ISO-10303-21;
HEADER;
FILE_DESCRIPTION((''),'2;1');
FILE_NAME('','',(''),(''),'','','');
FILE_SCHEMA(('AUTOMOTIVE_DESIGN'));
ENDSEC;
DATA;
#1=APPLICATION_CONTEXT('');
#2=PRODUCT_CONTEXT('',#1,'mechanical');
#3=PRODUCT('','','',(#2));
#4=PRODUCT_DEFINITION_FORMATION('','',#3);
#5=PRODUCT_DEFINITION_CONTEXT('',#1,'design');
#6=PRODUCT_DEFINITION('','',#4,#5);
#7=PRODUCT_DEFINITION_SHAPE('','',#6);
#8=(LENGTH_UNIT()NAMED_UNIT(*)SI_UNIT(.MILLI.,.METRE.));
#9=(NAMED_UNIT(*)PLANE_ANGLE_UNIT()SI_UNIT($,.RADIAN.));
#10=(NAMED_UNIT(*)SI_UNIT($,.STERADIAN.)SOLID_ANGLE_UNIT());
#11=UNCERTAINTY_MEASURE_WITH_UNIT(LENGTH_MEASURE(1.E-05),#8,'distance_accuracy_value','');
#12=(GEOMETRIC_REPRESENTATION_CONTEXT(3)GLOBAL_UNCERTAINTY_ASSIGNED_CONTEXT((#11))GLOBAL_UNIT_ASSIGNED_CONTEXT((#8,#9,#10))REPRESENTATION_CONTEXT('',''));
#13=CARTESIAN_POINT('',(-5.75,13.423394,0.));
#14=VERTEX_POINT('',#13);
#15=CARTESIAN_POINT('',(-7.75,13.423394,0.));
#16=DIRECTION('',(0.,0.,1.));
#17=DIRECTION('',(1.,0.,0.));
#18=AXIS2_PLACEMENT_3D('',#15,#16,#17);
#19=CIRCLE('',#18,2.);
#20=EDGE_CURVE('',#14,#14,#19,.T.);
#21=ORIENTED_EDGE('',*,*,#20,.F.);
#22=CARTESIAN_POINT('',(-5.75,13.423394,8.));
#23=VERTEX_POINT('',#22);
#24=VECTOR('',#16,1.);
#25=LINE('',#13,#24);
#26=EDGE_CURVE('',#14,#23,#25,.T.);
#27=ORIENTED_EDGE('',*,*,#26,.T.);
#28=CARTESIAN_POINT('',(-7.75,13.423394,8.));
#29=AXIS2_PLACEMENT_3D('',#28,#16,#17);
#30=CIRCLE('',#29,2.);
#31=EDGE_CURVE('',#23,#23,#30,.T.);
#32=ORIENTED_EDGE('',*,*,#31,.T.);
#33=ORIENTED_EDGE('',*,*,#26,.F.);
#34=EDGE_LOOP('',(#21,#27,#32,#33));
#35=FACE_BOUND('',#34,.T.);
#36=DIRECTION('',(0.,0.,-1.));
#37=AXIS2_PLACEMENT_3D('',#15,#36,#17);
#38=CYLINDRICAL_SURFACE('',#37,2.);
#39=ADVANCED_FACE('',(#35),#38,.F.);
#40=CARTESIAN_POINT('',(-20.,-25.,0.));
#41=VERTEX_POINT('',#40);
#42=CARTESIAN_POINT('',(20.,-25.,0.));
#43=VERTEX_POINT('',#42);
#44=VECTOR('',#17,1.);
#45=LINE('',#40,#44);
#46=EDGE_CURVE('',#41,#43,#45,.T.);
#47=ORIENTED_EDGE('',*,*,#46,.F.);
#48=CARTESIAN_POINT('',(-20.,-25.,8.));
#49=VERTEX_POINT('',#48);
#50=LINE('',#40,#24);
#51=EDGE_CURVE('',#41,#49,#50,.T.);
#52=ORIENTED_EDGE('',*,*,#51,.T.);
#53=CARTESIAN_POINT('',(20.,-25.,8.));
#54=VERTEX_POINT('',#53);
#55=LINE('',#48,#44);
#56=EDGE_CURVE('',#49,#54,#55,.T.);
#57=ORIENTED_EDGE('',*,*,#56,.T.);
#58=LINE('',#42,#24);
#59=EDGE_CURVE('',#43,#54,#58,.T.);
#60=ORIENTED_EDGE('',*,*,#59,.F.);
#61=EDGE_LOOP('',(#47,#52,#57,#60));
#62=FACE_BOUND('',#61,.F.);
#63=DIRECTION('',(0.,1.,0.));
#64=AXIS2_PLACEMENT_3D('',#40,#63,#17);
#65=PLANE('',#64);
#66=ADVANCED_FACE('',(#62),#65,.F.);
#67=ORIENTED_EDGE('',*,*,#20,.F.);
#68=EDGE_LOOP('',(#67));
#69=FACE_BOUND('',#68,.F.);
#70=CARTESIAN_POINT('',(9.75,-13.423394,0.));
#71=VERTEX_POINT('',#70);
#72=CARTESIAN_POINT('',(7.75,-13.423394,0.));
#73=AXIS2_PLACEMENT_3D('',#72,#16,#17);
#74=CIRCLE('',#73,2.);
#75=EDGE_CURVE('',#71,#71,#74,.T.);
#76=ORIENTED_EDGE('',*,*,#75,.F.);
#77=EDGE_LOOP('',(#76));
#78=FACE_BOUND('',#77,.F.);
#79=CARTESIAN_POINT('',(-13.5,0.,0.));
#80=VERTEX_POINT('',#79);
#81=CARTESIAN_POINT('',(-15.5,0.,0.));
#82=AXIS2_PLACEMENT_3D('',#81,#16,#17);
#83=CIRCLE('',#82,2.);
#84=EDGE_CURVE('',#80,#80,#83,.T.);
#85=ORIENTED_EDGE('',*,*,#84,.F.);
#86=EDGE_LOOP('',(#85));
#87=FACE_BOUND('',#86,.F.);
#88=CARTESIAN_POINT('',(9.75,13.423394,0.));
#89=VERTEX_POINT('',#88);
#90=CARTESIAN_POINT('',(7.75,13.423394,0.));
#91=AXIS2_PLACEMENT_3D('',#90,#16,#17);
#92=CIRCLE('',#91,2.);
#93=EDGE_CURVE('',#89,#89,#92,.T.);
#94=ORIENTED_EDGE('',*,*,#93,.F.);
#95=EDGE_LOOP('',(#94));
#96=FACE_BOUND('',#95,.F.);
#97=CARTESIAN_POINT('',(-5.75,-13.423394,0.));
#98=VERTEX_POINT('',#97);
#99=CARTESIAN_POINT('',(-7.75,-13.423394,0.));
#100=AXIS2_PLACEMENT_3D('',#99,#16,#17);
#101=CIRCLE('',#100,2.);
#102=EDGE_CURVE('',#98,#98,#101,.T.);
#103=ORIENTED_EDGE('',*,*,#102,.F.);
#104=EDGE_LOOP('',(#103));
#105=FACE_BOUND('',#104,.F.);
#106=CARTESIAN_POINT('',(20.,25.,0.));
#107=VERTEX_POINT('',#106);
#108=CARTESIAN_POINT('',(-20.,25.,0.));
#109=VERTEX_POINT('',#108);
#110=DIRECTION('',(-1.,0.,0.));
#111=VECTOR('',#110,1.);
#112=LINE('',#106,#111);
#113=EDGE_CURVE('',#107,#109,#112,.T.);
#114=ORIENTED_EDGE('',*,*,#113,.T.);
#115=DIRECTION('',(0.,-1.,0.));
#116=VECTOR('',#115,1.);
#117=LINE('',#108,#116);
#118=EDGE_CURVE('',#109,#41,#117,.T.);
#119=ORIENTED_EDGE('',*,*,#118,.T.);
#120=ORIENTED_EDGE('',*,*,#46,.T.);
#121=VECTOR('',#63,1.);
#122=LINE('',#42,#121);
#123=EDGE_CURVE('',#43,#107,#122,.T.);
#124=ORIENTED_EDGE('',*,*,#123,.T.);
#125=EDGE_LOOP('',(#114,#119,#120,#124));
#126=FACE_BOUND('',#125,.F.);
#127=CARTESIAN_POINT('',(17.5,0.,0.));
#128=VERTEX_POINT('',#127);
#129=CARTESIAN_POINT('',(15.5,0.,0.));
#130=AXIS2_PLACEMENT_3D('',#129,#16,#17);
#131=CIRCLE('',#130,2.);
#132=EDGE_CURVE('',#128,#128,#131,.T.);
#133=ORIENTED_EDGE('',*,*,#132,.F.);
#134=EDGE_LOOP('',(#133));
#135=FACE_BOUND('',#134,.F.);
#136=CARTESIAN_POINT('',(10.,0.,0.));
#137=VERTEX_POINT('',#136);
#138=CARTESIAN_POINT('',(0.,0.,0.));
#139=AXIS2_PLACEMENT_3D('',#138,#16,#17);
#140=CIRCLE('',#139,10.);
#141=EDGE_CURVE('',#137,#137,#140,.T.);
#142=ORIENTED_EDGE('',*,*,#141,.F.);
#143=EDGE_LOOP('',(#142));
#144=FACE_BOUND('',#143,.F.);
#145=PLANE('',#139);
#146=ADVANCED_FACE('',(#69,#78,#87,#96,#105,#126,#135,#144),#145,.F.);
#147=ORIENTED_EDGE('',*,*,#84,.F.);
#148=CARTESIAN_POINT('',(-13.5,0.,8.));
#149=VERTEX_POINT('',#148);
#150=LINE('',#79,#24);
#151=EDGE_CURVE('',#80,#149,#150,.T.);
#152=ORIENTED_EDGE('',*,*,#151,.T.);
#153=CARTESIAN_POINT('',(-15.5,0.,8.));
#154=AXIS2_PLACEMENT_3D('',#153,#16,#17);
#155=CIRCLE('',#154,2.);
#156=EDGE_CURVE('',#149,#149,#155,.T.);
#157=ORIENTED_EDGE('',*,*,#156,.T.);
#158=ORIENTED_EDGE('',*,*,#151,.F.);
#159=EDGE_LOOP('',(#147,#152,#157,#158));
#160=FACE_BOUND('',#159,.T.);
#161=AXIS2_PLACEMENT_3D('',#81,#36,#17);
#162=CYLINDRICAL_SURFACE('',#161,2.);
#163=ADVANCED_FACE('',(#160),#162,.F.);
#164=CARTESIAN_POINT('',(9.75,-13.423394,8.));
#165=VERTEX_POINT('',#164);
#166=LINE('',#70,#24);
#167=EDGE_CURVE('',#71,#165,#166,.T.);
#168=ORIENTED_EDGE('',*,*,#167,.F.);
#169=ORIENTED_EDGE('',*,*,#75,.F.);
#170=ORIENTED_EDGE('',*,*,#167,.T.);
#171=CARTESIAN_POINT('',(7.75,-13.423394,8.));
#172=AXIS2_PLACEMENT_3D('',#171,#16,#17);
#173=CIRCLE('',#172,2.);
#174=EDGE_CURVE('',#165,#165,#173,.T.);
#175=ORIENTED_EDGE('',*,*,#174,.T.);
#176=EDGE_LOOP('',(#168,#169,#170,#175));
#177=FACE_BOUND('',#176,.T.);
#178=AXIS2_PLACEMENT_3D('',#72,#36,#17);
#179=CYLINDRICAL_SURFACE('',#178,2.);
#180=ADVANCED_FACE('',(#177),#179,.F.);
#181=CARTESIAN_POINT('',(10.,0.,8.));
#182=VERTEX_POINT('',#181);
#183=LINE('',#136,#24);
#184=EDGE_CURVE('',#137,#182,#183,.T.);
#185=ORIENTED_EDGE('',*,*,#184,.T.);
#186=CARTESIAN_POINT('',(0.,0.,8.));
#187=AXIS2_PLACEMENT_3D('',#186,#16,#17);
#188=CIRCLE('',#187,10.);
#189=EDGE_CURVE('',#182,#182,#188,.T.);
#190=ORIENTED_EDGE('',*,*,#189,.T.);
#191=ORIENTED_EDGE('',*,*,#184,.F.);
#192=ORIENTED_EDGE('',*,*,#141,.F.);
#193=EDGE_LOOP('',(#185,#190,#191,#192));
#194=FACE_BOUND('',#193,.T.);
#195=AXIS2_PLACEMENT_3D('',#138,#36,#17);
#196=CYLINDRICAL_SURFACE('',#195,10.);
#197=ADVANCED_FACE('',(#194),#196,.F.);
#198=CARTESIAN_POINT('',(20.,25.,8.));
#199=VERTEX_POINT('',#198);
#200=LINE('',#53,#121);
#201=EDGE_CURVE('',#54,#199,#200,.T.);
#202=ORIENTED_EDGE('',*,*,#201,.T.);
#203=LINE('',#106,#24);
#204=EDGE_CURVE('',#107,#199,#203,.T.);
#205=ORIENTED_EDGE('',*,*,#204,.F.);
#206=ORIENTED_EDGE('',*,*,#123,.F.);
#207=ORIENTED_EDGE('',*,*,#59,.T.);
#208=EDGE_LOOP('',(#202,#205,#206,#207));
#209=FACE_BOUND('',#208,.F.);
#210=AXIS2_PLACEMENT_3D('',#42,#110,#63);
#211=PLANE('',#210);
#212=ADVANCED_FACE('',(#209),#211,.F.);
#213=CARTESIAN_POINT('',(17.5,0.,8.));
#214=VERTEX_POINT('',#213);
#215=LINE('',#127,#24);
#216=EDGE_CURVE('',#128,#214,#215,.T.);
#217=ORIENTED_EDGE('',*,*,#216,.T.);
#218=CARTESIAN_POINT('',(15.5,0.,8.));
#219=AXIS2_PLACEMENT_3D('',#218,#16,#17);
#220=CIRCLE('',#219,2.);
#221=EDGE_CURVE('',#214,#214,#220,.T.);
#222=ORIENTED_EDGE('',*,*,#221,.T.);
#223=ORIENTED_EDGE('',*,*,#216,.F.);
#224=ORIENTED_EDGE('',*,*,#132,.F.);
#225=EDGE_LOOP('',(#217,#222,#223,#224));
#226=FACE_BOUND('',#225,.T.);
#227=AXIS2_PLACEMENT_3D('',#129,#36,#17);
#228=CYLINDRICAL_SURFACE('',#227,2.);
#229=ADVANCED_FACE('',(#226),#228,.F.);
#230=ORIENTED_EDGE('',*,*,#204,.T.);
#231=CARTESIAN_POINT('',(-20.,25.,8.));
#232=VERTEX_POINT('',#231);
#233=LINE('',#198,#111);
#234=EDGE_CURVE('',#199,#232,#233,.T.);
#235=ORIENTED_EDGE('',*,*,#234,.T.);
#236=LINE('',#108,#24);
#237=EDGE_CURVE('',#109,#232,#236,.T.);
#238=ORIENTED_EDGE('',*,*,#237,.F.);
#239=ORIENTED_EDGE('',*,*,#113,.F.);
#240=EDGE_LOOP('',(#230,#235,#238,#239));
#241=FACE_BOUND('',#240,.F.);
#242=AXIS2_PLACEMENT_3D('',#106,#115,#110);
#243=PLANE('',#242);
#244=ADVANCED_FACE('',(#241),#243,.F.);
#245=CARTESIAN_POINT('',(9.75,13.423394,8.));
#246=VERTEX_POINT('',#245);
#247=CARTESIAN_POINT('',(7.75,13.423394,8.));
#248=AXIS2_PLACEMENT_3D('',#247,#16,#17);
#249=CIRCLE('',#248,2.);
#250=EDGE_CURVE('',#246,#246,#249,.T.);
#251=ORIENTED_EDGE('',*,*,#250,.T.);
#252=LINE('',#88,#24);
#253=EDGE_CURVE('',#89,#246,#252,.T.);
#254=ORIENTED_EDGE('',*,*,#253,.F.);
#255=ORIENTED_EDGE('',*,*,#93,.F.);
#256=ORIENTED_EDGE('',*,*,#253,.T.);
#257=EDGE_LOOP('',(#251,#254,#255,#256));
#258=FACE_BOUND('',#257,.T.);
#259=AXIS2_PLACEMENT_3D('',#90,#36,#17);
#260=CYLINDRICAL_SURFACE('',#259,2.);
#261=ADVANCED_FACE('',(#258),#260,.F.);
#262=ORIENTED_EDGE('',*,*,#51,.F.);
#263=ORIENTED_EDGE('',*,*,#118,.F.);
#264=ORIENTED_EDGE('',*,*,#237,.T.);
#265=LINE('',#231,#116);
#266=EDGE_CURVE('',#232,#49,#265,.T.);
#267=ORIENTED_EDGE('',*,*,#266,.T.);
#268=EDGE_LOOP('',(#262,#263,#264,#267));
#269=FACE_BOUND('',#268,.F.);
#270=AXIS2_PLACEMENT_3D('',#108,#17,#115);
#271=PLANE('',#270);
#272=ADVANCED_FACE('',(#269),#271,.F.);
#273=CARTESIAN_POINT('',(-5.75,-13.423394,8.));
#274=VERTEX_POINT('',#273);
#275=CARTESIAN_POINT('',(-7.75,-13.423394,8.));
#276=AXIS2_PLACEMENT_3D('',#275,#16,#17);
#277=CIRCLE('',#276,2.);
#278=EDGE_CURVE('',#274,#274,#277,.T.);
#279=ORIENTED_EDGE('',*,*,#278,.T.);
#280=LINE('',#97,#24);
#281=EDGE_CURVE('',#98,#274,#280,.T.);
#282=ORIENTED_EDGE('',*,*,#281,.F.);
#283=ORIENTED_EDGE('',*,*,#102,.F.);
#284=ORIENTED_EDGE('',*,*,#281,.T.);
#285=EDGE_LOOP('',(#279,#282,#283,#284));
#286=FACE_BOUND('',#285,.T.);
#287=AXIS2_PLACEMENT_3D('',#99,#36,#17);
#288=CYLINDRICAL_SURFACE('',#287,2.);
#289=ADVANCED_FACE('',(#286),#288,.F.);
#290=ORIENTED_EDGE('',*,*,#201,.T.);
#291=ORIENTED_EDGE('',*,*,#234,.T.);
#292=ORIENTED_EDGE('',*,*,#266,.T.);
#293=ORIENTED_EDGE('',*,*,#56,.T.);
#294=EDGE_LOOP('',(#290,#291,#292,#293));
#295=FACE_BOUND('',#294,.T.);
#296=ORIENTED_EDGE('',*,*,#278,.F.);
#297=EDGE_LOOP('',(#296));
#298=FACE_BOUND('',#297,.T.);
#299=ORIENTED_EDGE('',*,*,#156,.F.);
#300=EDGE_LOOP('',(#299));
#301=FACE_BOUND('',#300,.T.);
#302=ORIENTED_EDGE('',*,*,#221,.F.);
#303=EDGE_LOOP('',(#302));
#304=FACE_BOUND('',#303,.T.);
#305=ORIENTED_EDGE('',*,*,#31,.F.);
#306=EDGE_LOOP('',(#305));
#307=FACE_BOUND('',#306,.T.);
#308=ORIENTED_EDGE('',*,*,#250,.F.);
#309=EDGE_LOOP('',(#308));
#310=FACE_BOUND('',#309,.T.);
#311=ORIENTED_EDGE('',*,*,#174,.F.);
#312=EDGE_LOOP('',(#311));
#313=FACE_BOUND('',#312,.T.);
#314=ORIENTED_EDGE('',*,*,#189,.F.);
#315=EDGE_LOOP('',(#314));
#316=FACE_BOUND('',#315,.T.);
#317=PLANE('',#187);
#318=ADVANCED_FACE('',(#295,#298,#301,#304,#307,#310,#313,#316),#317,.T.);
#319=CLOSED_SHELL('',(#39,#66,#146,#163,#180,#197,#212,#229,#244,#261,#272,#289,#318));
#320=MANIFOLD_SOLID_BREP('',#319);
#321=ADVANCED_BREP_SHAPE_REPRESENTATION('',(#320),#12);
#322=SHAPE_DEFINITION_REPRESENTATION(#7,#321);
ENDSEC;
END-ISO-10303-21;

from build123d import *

# Parameters (mm, degrees)
F0_R     = 2
F0_R_2   = 10
F1_DEPTH = 8


with BuildPart() as f1:
    # F0 (on Top) → F1 (new body)
    with BuildSketch(Plane.XY):
        Polygon((20, -25), (20, -19.5), (20, 19.5), (20, 25), (-20, 25), (-20, 19.5), (-20, -19.5), (-20, -25), align=None)
        with Locations((-7.75, -13.423394)):
            Circle(F0_R, mode=Mode.SUBTRACT)
        with Locations((7.75, -13.423394)):
            Circle(F0_R, mode=Mode.SUBTRACT)
        with Locations((-15.5, 0)):
            Circle(F0_R, mode=Mode.SUBTRACT)
        with Locations((-7.75, 13.423394)):
            Circle(F0_R, mode=Mode.SUBTRACT)
        Circle(F0_R_2, mode=Mode.SUBTRACT)
        with Locations((15.5, 0)):
            Circle(F0_R, mode=Mode.SUBTRACT)
        with Locations((7.75, 13.423394)):
            Circle(F0_R, mode=Mode.SUBTRACT)
    extrude(amount=F1_DEPTH)


solid = f1.part
